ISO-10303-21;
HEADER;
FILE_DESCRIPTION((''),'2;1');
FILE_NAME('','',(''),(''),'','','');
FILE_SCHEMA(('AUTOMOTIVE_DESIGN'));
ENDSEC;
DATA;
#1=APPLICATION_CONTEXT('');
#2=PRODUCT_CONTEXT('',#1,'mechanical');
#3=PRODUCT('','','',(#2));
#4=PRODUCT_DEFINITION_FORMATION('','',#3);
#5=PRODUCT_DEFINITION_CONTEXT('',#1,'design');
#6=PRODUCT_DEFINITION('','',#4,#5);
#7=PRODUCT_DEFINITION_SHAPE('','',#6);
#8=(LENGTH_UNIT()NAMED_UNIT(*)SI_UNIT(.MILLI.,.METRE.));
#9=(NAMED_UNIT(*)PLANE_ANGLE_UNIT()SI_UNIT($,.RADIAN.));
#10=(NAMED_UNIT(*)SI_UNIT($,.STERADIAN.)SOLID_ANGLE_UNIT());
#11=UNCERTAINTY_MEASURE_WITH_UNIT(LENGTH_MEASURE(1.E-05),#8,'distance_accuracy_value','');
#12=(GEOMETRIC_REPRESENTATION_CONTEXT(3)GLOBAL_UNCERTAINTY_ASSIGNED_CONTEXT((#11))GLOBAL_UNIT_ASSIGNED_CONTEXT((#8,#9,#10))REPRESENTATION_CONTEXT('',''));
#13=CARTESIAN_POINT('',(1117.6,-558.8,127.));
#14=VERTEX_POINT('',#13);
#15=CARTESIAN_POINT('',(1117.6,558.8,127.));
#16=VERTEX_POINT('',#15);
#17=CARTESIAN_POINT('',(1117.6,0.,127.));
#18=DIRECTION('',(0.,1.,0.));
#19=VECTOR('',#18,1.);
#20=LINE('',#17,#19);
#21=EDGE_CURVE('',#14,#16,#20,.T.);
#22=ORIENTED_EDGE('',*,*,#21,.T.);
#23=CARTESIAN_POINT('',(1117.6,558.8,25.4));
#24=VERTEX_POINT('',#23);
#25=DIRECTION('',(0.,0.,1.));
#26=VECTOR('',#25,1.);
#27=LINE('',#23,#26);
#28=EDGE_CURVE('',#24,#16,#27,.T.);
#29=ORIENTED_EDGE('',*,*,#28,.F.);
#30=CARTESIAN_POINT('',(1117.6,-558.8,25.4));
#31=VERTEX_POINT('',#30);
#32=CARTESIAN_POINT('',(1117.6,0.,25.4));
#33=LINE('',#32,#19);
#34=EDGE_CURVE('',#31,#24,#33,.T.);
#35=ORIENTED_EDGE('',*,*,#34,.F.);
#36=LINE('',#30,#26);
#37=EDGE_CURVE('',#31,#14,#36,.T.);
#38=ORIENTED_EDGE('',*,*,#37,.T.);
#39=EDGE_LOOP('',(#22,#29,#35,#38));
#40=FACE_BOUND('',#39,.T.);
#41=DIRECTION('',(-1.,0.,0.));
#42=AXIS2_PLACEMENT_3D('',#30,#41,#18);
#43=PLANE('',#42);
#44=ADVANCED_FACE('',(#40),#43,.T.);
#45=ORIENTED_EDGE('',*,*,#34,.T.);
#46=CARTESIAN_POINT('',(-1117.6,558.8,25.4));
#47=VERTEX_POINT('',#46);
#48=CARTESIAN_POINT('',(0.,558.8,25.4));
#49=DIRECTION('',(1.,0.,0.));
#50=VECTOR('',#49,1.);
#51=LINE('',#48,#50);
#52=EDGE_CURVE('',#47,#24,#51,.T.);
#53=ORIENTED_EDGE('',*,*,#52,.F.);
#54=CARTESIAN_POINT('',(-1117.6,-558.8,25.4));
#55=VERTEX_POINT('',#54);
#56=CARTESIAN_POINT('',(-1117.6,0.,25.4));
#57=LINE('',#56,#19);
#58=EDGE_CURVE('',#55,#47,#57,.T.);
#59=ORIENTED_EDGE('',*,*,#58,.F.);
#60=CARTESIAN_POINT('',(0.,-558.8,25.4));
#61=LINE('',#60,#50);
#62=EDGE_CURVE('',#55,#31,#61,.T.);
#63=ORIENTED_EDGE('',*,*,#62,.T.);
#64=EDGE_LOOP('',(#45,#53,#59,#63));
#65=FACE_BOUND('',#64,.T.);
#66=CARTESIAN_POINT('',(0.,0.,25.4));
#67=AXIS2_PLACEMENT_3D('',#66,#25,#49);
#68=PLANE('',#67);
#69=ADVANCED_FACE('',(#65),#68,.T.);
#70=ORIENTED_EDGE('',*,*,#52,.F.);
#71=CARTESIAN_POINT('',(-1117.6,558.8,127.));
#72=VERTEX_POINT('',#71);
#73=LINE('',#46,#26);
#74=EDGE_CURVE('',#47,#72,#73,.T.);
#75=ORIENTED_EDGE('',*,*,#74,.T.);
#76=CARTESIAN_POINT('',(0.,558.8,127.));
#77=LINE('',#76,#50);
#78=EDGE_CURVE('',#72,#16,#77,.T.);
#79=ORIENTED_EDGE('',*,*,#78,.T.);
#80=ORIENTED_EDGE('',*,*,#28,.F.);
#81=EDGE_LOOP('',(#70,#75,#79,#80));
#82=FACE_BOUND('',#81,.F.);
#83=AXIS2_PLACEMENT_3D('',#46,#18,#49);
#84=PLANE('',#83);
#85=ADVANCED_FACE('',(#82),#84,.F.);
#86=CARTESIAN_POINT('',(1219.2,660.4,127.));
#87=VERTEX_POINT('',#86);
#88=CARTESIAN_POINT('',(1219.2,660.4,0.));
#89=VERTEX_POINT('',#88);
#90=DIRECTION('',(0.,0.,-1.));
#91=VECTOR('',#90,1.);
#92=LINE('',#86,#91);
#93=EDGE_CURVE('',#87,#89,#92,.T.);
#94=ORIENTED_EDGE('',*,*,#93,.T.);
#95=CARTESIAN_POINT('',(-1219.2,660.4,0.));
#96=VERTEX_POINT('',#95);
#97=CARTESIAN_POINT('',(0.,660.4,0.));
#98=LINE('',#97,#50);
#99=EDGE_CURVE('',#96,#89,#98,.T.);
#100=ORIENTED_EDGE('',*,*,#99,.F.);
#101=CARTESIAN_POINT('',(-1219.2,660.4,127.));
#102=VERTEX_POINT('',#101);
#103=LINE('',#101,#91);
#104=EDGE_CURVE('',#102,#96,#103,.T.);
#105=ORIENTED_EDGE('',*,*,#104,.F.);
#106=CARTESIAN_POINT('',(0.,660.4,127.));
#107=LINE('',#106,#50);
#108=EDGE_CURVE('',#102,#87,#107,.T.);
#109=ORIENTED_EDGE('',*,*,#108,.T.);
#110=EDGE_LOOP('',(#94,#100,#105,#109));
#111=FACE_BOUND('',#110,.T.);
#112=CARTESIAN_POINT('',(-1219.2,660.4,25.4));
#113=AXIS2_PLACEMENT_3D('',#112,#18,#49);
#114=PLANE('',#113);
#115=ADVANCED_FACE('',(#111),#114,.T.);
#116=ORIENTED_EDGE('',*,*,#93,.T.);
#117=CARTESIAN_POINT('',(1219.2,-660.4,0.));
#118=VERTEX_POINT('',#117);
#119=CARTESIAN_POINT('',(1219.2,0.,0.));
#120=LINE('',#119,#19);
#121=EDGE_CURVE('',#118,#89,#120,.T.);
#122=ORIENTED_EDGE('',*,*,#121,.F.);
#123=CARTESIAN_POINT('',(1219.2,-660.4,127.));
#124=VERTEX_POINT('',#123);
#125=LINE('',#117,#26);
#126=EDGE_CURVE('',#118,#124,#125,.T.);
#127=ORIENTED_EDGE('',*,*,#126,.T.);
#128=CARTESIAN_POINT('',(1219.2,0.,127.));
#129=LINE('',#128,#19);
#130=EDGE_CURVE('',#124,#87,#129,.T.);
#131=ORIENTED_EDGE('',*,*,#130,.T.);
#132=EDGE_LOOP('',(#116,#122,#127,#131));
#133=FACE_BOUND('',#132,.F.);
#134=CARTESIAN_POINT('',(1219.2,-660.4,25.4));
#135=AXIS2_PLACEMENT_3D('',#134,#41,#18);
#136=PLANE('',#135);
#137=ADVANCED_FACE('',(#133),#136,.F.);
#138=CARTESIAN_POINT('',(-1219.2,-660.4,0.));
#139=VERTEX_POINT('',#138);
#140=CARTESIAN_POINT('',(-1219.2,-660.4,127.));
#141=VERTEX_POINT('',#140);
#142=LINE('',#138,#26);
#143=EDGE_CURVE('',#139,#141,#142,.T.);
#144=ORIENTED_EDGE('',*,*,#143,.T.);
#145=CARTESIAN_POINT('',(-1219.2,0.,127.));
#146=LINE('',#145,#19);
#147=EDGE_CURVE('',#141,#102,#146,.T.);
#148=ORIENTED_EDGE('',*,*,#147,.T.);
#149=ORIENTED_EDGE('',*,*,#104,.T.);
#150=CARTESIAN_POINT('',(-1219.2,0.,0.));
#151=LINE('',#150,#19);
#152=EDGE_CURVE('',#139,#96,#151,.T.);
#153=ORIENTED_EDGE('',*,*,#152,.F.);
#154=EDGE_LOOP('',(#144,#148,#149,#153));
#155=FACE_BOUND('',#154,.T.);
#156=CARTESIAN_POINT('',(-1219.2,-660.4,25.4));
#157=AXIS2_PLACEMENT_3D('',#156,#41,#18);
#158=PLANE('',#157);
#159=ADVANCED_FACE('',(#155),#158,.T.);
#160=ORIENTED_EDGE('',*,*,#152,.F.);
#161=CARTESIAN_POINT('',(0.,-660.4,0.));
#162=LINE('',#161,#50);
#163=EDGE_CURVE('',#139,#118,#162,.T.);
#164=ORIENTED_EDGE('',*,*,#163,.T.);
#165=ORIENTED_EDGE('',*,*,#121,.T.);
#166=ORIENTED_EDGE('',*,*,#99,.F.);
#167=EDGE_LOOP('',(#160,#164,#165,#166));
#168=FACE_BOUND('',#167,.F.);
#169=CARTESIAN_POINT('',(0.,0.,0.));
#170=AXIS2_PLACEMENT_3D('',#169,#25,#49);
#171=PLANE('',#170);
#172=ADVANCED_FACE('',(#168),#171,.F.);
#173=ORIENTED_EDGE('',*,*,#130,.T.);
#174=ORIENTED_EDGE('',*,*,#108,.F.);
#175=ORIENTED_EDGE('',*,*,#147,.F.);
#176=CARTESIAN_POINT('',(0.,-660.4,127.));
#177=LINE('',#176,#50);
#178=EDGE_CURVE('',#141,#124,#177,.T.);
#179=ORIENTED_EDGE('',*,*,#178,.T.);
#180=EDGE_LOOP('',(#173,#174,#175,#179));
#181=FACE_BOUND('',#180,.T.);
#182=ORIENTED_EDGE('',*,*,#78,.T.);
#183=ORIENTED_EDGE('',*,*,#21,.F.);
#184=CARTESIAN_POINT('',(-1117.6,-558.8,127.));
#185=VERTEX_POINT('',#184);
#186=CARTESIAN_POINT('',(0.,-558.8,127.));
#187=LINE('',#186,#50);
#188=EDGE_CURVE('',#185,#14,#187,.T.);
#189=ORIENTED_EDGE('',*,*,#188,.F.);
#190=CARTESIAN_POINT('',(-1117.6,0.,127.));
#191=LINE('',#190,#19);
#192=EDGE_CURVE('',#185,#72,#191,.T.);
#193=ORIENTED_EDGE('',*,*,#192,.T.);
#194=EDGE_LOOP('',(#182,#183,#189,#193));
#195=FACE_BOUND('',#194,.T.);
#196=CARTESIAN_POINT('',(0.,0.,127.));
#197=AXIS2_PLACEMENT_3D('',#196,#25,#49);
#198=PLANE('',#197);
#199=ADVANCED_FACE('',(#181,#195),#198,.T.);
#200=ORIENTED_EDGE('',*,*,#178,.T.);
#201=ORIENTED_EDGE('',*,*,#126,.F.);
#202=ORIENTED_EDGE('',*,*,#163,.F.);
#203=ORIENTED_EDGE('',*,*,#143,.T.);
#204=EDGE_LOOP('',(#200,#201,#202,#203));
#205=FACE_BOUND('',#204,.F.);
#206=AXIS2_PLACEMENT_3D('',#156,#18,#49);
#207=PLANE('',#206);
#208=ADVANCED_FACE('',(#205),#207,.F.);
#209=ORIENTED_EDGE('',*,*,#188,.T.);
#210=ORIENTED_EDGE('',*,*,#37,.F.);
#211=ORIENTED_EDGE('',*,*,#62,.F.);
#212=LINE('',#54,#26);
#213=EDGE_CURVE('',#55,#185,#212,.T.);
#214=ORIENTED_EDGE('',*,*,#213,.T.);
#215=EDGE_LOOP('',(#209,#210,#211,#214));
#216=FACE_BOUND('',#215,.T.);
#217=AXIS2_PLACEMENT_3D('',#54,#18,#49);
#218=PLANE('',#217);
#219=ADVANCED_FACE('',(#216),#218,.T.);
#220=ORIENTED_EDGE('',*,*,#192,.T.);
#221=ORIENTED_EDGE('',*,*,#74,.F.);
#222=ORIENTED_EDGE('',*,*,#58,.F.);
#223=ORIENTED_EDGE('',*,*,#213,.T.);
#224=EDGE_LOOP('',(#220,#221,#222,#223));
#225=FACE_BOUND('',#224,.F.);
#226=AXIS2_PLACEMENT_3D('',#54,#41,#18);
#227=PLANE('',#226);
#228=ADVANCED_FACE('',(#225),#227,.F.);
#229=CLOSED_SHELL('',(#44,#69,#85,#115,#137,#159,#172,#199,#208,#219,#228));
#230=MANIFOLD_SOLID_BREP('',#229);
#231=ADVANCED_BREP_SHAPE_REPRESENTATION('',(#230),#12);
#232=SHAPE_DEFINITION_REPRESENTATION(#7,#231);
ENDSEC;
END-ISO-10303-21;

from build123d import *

# Parameters (mm, degrees)
F0_W     = 2438.4
F0_H     = 1320.8
F0_W_2   = 2235.2
F0_H_2   = 1117.6
F1_DEPTH = 25.4
F2_W     = 2438.4
F2_H     = 1320.8
F2_W_2   = 2235.2
F2_H_2   = 1117.6
F3_DEPTH = 101.6


with BuildPart() as f1:
    # F0 (on Top) → F1 (new body)
    with BuildSketch(Plane.XY):
        Rectangle(F0_W, F0_H)
        Rectangle(F0_W_2, F0_H_2, mode=Mode.SUBTRACT)
        Rectangle(F0_W_2, F0_H_2)
    extrude(amount=F1_DEPTH)

    # F2 (on face) → F3 (join)
    with BuildSketch(Plane.XY.offset(25.4)):
        Rectangle(F2_W, F2_H)
        Rectangle(F2_W_2, F2_H_2, mode=Mode.SUBTRACT)
    extrude(amount=F3_DEPTH)


solid = f1.part
